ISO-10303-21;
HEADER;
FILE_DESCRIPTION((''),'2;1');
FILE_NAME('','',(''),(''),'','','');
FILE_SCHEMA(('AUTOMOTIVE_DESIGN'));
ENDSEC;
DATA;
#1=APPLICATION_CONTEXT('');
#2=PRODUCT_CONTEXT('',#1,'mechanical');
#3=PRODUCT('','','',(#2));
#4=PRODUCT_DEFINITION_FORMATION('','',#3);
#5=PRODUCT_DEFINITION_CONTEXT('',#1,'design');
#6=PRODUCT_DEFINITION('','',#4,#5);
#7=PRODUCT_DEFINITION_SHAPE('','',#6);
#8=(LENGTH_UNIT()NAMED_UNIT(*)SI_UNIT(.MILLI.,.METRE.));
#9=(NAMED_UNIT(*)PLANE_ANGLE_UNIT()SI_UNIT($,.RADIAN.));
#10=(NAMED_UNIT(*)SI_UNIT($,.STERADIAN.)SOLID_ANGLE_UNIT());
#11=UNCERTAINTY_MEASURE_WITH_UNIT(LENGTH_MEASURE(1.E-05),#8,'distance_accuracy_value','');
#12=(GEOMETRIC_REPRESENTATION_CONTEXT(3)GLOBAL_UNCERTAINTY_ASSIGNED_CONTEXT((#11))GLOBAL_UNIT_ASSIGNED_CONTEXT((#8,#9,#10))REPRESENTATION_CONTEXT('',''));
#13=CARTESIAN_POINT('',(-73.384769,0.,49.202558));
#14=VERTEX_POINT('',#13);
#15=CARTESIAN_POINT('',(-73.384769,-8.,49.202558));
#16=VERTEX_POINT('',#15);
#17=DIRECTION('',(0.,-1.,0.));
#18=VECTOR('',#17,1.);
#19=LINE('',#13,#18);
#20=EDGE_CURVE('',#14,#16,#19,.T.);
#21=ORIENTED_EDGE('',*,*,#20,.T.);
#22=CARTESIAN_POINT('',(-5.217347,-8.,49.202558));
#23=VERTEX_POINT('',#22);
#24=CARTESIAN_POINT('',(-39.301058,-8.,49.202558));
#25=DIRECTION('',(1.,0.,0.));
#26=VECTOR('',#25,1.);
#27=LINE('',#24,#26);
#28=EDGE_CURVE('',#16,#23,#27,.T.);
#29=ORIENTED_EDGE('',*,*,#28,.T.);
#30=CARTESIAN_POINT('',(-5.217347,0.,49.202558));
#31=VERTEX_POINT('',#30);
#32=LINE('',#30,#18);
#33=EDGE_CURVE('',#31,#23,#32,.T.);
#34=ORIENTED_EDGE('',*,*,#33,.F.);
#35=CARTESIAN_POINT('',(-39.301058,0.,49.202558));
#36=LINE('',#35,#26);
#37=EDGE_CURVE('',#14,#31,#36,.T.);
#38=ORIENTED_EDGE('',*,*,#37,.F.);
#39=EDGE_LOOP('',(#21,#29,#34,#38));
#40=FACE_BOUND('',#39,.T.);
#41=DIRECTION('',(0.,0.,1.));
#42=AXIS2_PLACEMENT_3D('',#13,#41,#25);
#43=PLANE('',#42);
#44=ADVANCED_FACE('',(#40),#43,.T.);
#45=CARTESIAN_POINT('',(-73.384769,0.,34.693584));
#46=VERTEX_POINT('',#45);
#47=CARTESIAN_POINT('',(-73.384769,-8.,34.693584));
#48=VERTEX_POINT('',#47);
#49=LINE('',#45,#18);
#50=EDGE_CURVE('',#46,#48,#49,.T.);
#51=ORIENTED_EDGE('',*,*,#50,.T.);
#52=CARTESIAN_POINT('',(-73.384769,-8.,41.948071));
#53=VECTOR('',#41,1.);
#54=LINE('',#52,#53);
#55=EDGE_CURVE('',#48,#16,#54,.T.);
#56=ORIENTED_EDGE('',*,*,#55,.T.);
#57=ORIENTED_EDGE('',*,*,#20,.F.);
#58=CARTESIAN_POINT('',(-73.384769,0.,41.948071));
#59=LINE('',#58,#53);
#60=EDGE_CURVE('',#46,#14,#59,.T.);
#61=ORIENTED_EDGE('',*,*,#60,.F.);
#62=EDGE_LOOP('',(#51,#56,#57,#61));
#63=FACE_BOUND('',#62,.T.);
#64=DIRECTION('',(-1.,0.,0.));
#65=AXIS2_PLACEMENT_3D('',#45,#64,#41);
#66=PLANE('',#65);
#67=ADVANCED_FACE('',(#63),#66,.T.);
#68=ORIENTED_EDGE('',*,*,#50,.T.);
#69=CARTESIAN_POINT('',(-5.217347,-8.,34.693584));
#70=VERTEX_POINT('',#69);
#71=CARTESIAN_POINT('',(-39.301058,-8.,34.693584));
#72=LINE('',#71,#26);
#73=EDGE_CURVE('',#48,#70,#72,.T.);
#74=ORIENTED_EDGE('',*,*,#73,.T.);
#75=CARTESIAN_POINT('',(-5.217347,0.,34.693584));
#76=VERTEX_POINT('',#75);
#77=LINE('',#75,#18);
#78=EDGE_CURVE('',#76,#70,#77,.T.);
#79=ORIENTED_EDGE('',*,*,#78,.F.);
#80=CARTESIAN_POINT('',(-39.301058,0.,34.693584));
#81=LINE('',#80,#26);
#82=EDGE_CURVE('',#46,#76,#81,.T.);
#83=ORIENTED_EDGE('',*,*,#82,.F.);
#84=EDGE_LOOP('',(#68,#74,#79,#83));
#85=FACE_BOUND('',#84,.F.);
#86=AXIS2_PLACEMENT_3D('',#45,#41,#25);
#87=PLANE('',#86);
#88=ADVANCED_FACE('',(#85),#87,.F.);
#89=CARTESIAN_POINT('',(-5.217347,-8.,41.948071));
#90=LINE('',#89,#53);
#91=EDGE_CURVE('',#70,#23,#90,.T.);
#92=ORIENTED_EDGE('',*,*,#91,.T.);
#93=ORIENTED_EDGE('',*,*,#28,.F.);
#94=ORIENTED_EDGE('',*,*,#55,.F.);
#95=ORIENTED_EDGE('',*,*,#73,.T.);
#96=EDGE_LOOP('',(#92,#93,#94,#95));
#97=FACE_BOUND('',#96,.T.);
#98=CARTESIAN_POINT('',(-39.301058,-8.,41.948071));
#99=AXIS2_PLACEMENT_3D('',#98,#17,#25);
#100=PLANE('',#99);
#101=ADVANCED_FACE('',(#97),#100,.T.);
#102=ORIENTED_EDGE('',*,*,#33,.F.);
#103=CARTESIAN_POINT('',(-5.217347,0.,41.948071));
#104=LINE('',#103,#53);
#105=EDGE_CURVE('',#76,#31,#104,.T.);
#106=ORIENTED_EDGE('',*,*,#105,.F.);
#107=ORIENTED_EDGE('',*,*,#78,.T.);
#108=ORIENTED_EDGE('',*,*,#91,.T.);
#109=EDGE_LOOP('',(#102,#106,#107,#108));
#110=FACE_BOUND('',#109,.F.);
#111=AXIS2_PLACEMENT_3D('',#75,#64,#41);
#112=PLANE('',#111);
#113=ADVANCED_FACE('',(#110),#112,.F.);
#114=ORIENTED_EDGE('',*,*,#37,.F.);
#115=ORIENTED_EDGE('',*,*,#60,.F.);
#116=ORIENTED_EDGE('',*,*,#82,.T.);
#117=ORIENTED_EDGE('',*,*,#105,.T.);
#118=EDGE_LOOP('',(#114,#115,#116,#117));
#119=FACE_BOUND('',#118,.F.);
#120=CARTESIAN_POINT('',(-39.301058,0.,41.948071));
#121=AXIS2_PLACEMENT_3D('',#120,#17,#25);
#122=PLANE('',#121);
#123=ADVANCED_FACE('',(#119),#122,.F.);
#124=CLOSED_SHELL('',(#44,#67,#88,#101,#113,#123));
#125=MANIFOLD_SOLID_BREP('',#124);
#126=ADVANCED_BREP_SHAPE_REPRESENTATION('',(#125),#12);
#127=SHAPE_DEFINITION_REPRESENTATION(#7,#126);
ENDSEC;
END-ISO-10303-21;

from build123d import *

# Parameters (mm, degrees)
F0_W     = 71.9553148374
F0_H     = 6.7674303427
F1_DEPTH = 4
F3_W     = 68.1674219668
F3_H     = 14.5089738071
F4_DEPTH = 8


with BuildPart() as f1:
    # F0 (on Right) → F1 (new body)
    with BuildSketch(Plane.YZ):
        with Locations((-27.2643235512, 7.9523953609)):
            Rectangle(F0_W, F0_H)
    extrude(amount=F1_DEPTH)


with BuildPart() as f4:
    # F3 (on Front) → F4 (new body)
    with BuildSketch(Plane.XZ):
        with Locations((-39.3010582775, 41.9480707496)):
            Rectangle(F3_W, F3_H)
    extrude(amount=F4_DEPTH)


solid = f4.part
